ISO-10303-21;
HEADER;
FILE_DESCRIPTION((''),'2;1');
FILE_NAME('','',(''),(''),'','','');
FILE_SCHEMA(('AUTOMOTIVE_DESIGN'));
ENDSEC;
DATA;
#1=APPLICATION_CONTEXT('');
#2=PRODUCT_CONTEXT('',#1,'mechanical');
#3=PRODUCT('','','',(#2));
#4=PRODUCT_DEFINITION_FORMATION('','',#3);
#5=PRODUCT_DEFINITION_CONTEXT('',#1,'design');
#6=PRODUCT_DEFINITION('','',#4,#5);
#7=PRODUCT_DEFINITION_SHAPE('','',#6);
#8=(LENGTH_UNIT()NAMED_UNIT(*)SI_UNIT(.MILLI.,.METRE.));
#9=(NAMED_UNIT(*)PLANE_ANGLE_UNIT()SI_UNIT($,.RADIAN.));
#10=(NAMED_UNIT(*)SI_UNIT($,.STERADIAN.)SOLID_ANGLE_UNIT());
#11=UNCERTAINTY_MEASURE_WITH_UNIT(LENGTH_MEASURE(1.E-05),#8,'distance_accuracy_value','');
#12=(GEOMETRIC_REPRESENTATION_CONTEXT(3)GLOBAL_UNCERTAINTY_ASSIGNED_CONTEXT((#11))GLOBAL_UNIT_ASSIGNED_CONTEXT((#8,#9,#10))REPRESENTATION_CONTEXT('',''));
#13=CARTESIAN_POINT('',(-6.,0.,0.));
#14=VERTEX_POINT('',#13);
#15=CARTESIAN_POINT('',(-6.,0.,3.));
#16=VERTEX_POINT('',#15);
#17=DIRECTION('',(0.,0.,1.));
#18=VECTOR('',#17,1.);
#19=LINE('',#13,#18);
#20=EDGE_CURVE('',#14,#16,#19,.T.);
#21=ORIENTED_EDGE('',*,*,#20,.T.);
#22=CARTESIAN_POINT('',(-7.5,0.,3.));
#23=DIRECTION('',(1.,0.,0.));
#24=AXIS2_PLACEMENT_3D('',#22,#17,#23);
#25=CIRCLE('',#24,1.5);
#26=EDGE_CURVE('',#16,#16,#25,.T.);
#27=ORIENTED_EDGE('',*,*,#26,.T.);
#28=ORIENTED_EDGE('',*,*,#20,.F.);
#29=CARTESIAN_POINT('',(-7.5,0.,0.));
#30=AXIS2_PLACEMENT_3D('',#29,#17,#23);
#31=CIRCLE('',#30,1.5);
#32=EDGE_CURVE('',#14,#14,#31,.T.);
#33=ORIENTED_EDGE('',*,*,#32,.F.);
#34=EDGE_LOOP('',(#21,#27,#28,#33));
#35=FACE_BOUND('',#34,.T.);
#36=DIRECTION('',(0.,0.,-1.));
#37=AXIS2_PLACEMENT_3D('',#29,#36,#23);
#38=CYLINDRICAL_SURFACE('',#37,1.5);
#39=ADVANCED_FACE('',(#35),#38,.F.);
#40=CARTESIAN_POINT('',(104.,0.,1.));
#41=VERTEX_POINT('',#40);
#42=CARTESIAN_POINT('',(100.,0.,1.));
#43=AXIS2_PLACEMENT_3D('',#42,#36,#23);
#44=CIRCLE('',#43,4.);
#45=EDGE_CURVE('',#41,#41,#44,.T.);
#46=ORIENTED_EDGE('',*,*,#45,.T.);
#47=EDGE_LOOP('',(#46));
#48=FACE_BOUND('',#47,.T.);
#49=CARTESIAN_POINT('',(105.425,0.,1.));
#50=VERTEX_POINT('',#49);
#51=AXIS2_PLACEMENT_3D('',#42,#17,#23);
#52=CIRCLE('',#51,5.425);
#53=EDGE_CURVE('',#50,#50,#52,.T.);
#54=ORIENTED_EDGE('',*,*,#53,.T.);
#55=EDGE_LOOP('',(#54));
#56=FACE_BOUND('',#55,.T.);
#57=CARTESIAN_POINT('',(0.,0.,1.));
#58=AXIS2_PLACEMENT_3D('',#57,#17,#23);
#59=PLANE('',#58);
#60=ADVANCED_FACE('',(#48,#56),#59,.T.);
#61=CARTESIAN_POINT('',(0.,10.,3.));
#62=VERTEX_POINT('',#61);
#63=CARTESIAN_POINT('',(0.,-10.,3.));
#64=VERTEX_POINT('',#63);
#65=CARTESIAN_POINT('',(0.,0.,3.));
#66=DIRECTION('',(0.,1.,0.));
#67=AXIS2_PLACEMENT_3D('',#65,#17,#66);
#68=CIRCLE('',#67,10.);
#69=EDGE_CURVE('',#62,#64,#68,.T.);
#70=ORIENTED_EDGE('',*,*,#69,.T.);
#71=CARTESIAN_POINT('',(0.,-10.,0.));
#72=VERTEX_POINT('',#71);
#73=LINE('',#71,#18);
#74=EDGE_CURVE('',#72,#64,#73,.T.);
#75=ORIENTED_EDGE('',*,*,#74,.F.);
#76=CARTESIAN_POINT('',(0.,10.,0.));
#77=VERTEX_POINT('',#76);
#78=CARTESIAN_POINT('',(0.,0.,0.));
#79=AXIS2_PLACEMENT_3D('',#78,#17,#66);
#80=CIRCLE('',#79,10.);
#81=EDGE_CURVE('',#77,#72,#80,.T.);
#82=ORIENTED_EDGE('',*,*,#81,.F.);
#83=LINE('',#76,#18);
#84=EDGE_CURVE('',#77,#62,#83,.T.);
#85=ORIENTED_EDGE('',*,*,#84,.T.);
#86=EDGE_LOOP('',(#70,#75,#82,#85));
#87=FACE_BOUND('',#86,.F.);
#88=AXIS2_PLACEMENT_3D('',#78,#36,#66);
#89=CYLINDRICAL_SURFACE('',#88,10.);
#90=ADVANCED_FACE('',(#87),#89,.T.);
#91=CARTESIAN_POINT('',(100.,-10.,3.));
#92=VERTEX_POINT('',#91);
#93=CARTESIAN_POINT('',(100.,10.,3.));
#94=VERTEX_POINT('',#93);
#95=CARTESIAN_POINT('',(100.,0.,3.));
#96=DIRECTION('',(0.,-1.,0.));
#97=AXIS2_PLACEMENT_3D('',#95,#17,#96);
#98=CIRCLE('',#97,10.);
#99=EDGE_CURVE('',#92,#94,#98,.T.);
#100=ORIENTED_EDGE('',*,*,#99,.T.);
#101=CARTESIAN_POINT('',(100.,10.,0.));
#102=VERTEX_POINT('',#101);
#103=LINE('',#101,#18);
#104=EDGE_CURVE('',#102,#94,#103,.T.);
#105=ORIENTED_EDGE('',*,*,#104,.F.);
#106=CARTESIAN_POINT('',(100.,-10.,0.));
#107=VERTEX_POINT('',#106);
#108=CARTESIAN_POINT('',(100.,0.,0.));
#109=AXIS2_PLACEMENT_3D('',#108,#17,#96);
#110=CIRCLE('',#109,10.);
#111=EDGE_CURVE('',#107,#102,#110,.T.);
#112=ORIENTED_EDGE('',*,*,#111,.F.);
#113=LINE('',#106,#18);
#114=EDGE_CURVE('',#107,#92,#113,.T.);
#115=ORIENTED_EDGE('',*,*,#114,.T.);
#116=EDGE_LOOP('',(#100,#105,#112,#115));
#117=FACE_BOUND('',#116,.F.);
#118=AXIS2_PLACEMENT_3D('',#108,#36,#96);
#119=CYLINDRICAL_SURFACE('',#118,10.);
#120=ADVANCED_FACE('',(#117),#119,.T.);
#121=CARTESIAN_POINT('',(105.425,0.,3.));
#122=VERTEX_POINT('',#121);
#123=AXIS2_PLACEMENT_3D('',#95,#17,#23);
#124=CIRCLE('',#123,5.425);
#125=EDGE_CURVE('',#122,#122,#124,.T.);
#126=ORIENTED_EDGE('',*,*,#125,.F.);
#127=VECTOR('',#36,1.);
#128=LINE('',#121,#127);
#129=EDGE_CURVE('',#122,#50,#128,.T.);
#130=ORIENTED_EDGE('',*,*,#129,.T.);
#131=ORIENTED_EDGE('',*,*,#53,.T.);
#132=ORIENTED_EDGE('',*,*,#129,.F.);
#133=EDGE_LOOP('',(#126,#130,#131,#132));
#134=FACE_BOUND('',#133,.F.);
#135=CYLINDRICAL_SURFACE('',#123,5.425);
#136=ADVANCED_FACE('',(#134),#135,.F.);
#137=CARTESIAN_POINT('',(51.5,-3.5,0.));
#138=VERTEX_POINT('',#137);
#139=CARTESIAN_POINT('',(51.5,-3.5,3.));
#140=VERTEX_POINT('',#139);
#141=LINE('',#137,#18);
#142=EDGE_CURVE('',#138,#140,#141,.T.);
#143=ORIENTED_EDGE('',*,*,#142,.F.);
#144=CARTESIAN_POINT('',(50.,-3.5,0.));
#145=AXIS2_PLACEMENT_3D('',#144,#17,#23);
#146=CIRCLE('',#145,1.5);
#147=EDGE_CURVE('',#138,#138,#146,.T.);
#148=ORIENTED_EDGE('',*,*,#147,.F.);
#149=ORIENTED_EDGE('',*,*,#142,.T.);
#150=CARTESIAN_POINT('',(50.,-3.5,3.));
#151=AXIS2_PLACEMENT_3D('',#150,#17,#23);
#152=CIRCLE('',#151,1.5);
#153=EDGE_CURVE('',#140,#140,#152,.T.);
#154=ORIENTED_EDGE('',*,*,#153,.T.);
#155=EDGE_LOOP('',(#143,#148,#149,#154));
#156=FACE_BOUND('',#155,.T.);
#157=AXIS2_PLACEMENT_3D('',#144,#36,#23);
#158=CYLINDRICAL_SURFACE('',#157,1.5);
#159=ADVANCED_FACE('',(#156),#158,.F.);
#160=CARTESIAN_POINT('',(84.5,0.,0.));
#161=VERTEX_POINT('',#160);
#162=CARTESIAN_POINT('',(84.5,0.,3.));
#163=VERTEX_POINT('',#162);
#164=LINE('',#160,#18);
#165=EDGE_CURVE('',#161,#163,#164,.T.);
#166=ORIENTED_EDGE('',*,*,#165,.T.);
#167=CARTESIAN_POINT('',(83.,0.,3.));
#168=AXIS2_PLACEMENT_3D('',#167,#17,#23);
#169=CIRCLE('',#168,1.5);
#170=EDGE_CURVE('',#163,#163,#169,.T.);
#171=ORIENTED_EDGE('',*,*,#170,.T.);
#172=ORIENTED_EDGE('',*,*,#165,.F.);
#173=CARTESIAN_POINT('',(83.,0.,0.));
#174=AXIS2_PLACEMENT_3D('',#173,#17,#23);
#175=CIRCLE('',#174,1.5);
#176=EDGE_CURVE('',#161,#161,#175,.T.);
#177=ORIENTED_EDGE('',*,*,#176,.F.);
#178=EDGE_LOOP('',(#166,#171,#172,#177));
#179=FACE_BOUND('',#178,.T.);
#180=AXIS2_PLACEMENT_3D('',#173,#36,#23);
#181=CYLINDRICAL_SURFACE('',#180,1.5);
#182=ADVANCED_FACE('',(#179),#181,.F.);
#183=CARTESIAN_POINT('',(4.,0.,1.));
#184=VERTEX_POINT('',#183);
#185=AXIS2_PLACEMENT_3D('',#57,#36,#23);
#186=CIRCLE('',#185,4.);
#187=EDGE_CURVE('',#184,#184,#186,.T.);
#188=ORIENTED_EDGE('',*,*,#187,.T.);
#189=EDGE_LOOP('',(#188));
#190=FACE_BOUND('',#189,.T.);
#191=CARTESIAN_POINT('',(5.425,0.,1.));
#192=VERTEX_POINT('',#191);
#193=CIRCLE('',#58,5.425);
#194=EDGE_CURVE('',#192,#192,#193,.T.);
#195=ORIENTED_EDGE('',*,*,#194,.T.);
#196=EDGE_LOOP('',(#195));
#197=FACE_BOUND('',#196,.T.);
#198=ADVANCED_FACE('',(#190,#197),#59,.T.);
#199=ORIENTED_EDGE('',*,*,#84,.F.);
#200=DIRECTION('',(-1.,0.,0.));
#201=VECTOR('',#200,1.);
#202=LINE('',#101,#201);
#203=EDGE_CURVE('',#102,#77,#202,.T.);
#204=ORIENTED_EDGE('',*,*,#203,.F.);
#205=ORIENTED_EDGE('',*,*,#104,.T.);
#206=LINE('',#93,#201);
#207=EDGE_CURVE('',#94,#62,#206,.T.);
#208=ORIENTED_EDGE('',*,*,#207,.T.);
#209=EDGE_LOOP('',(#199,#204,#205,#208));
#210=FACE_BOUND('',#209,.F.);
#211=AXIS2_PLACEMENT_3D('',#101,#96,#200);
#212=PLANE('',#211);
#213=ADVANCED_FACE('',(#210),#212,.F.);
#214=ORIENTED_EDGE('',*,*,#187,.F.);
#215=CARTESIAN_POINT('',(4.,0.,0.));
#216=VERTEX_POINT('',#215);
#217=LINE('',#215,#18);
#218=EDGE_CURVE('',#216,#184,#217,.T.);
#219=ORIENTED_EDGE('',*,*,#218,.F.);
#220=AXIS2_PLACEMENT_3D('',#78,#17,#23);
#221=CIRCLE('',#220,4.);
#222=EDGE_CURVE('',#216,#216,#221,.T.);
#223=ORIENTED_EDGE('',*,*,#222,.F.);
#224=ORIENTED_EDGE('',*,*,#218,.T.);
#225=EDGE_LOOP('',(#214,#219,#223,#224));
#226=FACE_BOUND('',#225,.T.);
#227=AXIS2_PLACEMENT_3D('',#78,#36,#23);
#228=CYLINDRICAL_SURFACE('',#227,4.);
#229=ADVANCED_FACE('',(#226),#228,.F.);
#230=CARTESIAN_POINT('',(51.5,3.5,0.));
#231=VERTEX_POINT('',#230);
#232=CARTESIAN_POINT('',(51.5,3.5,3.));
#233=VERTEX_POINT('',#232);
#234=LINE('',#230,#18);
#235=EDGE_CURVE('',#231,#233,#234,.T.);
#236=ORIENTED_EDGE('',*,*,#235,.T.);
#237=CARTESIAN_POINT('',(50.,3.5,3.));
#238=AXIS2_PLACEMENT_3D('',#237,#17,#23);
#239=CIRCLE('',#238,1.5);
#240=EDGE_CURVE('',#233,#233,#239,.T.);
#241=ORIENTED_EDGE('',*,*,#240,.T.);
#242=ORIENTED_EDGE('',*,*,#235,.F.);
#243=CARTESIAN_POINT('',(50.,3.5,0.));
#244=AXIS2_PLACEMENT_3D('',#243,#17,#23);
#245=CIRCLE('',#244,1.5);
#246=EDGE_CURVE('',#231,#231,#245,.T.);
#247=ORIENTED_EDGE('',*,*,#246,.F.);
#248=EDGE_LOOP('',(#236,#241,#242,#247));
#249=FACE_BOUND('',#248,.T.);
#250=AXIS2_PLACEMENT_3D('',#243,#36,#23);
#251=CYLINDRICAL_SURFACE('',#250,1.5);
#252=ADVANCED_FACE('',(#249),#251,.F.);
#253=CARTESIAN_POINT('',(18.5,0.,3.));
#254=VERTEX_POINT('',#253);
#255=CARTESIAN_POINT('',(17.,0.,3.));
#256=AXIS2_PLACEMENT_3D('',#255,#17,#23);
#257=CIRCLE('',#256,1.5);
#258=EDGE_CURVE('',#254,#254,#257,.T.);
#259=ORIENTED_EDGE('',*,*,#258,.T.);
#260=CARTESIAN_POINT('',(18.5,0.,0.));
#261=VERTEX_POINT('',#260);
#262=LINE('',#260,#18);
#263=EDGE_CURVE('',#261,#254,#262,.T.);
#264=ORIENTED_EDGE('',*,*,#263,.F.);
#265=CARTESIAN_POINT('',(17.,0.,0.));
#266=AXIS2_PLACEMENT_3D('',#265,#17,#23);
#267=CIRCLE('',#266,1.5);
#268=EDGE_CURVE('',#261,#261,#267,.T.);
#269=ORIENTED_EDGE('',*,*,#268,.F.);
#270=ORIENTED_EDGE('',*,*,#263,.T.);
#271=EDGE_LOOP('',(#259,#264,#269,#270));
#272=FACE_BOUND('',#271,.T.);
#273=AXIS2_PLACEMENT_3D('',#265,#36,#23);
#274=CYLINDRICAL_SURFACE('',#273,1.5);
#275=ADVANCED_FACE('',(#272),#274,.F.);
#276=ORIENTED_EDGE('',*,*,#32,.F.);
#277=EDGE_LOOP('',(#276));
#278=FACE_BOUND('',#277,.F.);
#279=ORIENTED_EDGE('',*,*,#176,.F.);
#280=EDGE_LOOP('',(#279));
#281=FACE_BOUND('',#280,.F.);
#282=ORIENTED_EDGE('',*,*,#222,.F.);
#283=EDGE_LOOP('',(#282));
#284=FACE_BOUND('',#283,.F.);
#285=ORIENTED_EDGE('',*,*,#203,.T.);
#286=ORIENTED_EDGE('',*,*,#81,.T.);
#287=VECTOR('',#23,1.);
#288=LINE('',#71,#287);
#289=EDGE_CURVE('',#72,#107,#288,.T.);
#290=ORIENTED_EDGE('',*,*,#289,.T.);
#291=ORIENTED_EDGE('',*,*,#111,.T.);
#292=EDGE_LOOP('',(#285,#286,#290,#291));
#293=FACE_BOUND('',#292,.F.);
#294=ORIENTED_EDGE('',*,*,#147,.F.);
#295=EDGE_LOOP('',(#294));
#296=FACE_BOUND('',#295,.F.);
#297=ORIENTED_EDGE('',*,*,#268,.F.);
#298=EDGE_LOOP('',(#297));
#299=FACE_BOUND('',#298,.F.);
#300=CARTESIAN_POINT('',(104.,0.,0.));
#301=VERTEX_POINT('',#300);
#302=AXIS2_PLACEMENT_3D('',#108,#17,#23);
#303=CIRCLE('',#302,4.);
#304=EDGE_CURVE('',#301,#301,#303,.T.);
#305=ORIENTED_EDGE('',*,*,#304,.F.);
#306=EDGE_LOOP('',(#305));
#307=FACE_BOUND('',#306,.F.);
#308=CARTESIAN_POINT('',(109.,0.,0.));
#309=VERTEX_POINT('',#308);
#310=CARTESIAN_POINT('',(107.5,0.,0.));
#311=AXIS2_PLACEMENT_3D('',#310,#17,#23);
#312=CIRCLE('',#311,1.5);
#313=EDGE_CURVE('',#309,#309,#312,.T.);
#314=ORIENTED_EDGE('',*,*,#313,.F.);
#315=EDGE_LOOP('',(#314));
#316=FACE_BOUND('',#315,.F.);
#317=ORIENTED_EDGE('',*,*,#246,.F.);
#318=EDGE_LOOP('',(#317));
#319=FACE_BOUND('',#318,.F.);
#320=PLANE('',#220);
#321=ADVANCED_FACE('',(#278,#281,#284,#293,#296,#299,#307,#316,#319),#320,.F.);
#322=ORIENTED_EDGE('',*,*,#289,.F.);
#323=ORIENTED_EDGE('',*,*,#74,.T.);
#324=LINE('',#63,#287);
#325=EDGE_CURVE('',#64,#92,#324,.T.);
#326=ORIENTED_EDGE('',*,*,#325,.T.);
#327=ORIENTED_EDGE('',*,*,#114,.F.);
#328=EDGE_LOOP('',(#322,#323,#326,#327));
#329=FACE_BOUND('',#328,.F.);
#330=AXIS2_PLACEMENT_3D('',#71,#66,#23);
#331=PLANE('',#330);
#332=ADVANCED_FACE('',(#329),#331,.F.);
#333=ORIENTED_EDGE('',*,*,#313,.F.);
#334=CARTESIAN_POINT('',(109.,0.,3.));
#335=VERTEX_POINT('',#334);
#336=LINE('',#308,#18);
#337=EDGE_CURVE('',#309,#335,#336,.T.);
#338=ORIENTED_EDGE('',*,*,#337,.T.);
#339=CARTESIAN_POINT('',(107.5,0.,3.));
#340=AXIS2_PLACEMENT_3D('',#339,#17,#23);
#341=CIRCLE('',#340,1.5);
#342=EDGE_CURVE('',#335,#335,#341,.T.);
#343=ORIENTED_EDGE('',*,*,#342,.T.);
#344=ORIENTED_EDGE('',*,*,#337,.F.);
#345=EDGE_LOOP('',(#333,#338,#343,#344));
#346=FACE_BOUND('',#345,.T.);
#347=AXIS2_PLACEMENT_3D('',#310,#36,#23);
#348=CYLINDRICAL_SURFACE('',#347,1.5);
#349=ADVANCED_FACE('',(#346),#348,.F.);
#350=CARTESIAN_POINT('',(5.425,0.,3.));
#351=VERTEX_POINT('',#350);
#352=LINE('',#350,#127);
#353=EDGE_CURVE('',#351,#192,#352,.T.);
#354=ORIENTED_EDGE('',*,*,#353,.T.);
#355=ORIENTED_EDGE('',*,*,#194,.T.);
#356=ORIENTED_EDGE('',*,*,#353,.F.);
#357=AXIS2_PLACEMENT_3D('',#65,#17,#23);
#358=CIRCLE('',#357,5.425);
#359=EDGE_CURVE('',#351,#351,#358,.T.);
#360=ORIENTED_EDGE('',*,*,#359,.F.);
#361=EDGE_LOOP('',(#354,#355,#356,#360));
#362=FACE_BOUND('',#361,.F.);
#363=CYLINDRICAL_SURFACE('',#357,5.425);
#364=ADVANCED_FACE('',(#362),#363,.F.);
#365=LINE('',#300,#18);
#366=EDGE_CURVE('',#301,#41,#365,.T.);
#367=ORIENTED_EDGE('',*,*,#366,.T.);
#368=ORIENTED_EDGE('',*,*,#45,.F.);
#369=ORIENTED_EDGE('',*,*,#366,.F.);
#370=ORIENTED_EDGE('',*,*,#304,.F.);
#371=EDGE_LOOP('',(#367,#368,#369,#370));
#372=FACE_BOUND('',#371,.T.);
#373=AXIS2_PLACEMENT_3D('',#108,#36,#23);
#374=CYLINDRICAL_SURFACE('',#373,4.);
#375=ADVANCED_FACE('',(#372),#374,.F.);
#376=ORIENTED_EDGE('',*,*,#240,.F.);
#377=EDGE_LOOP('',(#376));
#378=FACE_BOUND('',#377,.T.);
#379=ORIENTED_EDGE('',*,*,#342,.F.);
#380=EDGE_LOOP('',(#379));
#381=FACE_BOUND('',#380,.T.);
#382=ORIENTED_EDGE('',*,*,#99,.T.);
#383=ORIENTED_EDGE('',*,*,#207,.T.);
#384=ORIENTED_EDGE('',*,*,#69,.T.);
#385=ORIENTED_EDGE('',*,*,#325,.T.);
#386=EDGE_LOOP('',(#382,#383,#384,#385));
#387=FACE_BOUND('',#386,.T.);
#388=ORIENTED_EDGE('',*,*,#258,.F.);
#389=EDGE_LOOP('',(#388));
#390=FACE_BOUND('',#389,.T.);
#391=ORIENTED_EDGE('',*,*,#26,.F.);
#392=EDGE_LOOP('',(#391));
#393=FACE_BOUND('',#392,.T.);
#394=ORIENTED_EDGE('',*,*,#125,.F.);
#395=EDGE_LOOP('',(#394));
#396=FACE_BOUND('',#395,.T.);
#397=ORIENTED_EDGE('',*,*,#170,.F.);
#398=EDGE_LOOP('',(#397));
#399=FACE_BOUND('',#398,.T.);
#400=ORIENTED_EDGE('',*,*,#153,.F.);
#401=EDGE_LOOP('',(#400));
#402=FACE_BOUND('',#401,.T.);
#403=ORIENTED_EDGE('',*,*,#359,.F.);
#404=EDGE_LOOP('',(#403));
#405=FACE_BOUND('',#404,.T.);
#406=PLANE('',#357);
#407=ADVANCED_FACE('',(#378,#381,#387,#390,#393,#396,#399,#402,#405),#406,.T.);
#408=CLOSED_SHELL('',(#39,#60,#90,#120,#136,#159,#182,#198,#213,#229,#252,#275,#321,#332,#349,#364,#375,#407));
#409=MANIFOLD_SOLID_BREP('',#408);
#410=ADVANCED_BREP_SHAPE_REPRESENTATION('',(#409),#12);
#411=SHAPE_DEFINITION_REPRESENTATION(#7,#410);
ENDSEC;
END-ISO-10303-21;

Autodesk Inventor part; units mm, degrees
ref_plane "YZ Plane" through (0, 0, 0) normal (1, 0, 0) x (0, 1, 0)
ref_plane "XZ Plane" through (0, 0, 0) normal (0, 1, 0) x (-1, 0, 0)
ref_plane "XY Plane" through (0, 0, 0) normal (0, 0, 1) x (1, 0, 0)
sketch "Sketch1" plane through (0, 0, 0) normal (0, 0, 1) x (1, 0, 0)
  line L0 (0, 0) -> (100, 0) construction
  line L1 (0, -10) -> (100, -10)
  line L2 (100, 10) -> (0, 10)
  arc A0 (0, 10) -> (0, -10) centre (0, 0) ccw
  arc A1 (100, -10) -> (100, 10) centre (100, 0) ccw
  line L3 (0, 0) -> (100, 0) construction
  circle A2 centre (0, 0) radius 4
  circle A3 centre (100, 0) radius 4
  circle A4 centre (50, 3.5) radius 1.5
  circle A5 centre (50, -3.5) radius 1.5
  circle A6 centre (107.5, 0) radius 1.5
  circle A7 centre (-7.5, 0) radius 1.5
  circle A8 centre (17, 0) radius 1.5
  circle A9 centre (83, 0) radius 1.5
  point P0 (50, 0)
  point P1 (50, 0)
  dimension "d0" = 100
  dimension "d1" = 0
  dimension "d2" = 20
  dimension "d3" = 8
  dimension "d4" = 8
  dimension "d5" = 3
  dimension "d6" = 3
  dimension "d7" = 3
  dimension "d8" = 3
  dimension "d9" = 0
  dimension "d10" = 7.5
  dimension "d11" = 0
  dimension "d12" = 7.5
  dimension "d13" = 3
  dimension "d14" = 3
  dimension "d15" = 3.5
  dimension "d16" = 3.5
  dimension "d17" = 17
  dimension "d18" = 17
  dimension "d19" = 0
  dimension "d20" = 0
extrude "Extrusion1" add sketch "Sketch1" along normal blind 3
sketch "Sketch2" plane through (0, 0, 3) normal (0, 0, 1) x (1, 0, 0)
  circle A0 centre (0, 0) radius 4 projected
  circle A1 centre (100, 0) radius 4 projected
  circle A2 centre (0, 0) radius 5.425
  circle A3 centre (100, 0) radius 5.425
  dimension "d23" = 10.85
  dimension "d24" = 10.85
extrude "Extrusion2" cut sketch "Sketch2" against normal blind 2 contours A0 | A1 | A2 | A3
sketch "Sketch3" plane through (0, 0, 3) normal (0, 0, 1) x (1, 0, 0)
  circle A0 centre (0, 0) radius 5.425 projected
  circle A1 centre (100, 0) radius 5.425 projected
  arc A2 (100, -10) -> (100, 10) centre (100, 0) ccw projected
  line L0 (100, 10) -> (0, 10) projected
  arc A3 (0, 10) -> (0, -10) centre (0, 0) ccw projected
  line L1 (0, -10) -> (100, -10) projected
  circle A4 centre (50, 3.5) radius 1.5 projected
  circle A5 centre (50, -3.5) radius 1.5 projected
  circle A6 centre (17, 0) radius 1.5 projected
  circle A7 centre (83, 0) radius 1.5 projected
  circle A8 centre (-7.5, 0) radius 1.5 projected
  circle A9 centre (107.5, 0) radius 1.5 projected
properties part number "Arm4_3D" material "Aluminum 6061, Welded"
